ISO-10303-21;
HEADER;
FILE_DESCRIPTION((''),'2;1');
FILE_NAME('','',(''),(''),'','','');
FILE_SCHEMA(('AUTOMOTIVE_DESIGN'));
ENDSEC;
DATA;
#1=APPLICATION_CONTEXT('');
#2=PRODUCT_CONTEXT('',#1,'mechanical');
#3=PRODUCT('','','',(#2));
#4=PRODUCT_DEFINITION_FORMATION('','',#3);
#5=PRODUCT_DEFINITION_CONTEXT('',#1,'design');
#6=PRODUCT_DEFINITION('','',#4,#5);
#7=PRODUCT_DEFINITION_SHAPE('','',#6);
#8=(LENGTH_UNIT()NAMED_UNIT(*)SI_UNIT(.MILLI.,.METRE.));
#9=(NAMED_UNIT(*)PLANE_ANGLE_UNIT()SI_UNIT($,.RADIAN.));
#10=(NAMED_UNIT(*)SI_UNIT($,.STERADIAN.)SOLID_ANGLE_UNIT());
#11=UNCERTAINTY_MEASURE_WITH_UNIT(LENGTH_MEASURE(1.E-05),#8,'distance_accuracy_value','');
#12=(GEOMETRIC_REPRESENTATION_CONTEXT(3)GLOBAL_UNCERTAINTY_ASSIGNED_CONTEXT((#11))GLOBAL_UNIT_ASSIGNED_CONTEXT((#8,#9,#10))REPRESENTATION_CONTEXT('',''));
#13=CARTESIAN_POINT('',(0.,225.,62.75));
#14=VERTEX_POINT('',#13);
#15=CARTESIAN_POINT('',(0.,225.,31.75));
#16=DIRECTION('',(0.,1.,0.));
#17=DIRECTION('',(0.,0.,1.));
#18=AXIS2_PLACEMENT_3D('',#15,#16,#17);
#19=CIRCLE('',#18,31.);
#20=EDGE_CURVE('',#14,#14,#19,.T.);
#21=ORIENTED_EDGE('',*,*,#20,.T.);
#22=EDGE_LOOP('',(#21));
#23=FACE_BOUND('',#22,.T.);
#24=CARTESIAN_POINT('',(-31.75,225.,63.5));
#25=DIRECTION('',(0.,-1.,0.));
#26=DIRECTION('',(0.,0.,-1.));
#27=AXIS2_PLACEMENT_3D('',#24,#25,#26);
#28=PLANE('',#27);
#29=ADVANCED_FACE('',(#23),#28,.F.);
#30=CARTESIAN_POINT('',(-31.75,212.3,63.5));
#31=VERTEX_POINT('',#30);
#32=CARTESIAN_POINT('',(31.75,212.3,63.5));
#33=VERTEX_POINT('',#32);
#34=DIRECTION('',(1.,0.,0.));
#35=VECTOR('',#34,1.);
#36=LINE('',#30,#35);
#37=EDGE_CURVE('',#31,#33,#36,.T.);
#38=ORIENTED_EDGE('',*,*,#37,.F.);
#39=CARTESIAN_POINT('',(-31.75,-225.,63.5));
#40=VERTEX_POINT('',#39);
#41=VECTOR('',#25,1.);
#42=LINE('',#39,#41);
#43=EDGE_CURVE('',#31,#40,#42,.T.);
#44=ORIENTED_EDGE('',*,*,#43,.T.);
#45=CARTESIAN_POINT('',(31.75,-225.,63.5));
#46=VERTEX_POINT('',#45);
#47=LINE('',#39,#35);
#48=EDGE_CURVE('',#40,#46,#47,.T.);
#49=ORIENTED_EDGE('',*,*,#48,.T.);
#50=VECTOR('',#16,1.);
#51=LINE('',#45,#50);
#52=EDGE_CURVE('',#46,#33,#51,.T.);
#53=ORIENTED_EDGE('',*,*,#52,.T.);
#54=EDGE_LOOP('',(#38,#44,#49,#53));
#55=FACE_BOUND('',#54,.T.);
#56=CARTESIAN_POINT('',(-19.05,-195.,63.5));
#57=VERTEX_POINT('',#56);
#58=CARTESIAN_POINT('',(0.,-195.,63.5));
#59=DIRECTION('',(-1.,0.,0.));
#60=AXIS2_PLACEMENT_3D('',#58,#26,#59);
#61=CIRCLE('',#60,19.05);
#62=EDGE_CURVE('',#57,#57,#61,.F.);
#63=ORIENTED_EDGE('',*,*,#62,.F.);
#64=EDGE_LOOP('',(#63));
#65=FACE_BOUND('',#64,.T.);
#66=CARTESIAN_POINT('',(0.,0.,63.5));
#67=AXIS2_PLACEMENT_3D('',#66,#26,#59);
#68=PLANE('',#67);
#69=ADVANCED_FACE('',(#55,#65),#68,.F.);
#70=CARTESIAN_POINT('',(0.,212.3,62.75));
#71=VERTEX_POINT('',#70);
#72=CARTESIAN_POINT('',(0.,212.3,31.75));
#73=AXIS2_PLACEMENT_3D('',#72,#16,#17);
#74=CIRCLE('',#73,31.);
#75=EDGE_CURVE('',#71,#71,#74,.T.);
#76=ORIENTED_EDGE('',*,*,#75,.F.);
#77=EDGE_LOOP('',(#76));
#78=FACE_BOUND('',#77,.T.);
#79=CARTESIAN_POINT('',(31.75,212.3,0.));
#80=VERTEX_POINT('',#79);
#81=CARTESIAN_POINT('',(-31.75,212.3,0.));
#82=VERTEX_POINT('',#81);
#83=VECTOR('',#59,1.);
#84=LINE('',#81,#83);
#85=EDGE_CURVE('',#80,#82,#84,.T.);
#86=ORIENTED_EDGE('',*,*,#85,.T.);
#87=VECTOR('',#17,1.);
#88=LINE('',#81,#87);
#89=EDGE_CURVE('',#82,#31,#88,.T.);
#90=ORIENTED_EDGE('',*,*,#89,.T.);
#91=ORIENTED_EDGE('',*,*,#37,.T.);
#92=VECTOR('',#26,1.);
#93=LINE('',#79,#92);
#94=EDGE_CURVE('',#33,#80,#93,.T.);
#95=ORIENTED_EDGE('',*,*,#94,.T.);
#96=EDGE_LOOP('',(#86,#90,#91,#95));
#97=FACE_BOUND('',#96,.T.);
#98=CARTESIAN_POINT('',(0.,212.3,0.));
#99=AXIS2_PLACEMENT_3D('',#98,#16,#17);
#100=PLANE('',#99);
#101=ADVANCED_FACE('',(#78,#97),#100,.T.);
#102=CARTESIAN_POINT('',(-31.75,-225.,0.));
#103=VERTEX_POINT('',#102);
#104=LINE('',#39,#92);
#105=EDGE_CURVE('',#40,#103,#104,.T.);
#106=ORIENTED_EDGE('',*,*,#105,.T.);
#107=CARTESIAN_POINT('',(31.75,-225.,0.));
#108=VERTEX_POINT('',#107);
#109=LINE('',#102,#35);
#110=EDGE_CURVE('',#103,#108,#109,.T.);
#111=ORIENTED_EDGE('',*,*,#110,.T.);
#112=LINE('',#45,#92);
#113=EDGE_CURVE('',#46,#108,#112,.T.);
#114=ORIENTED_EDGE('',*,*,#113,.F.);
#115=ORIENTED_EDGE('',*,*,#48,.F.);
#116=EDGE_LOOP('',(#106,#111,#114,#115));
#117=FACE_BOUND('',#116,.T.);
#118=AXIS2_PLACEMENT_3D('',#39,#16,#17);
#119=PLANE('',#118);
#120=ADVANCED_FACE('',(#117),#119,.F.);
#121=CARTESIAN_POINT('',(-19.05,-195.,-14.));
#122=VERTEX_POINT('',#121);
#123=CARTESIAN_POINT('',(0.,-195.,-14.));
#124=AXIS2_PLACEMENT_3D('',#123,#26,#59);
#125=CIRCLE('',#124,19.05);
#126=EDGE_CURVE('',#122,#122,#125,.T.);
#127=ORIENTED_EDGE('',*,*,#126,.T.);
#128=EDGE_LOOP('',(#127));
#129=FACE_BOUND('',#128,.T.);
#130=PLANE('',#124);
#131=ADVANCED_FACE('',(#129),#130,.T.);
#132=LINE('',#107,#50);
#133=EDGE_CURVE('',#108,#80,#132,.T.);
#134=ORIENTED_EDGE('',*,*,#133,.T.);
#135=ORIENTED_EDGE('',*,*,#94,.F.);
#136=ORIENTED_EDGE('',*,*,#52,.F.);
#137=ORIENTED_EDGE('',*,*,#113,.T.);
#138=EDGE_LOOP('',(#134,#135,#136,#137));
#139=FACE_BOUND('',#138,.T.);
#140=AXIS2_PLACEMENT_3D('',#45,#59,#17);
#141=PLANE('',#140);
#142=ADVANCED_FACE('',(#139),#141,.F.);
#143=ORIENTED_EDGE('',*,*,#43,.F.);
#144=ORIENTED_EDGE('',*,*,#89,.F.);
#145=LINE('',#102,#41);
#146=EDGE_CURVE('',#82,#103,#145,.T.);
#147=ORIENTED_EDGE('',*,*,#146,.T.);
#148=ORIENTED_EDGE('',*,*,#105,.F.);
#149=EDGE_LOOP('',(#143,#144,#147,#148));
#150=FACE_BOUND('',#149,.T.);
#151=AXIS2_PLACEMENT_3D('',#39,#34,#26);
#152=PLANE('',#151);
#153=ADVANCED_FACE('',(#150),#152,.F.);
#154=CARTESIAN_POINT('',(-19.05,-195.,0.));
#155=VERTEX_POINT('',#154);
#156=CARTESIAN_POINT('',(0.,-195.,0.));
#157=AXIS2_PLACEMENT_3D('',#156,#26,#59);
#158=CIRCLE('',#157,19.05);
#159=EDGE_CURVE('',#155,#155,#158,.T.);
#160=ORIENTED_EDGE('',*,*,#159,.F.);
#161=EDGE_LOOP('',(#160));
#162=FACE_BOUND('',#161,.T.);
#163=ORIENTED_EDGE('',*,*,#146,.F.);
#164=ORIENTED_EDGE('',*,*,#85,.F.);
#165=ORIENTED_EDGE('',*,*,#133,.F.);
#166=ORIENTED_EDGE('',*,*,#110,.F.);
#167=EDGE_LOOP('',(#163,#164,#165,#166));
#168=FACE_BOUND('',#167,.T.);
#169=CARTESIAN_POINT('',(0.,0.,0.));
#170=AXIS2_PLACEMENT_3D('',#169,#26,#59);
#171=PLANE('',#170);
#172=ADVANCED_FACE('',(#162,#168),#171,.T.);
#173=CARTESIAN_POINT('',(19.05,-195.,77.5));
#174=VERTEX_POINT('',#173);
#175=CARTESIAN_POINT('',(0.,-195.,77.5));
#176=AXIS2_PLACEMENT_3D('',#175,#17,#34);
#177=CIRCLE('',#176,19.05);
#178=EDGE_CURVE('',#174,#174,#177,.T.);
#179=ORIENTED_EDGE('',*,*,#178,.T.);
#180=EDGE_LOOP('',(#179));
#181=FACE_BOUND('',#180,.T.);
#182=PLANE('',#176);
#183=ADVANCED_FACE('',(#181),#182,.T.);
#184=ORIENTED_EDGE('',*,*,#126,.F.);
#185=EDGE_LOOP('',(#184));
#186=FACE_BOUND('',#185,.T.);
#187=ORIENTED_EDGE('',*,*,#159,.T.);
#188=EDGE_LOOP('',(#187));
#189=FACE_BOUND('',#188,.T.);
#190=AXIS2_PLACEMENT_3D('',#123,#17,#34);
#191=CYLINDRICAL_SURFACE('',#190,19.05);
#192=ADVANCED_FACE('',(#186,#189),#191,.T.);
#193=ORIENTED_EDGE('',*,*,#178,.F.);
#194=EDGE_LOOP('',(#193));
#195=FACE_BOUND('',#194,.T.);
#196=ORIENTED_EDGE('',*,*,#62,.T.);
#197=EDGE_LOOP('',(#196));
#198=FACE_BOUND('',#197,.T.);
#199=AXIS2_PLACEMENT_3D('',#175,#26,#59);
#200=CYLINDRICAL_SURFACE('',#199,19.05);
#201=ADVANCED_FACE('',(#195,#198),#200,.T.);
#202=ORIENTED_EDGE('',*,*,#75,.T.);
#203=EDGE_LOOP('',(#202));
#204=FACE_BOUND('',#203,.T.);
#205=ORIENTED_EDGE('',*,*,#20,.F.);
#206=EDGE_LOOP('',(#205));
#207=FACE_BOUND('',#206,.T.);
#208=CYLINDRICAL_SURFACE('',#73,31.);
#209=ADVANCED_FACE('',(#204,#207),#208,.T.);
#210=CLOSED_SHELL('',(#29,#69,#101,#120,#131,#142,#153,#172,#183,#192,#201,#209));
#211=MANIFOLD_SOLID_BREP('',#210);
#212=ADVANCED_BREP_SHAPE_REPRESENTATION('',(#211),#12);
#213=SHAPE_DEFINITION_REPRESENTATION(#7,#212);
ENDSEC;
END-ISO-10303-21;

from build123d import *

# Parameters (mm, degrees)
CROQUIS2_W              = 63.5
CROQUIS2_H              = 450
SALIENTE_EXTRUIR1_DEPTH = 63.5
CROQUIS3_R              = 19.05
SALIENTE_EXTRUIR2_DEPTH = 14
SALIENTE_EXTRUIR3_START = 14
CROQUIS4_R              = 19.05
SALIENTE_EXTRUIR3_DEPTH = 14
CROQUIS5_W              = 63.5
CROQUIS5_H              = 63.5
CROQUIS5_R              = 31
CORTAR_EXTRUIR1_DEPTH   = 12.7


with BuildPart() as part:
    # Croquis2 → Saliente-Extruir1 (new body)
    with BuildSketch(Plane.XY):
        Rectangle(CROQUIS2_W, CROQUIS2_H)
    extrude(amount=SALIENTE_EXTRUIR1_DEPTH)

    # Croquis3 → Saliente-Extruir2 (add)
    with BuildSketch(Plane.XY.offset(63.5)):
        with Locations(Location((0, -195, 0), (0, 0, 180))):
            Circle(CROQUIS3_R)
    extrude(amount=SALIENTE_EXTRUIR2_DEPTH)

    # Croquis4 → Saliente-Extruir3 (add)
    with BuildSketch(Plane(origin=(0, 0, 0), x_dir=(-1, 0, 0), z_dir=(0, 0, -1)).offset(SALIENTE_EXTRUIR3_START)):
        with Locations((0, -195)):
            Circle(CROQUIS4_R)
    extrude(amount=-SALIENTE_EXTRUIR3_DEPTH)

    # Croquis5 → Cortar-Extruir1 (cut)
    with BuildSketch(Plane(origin=(0, 225, 0), x_dir=(1, 0, 0), z_dir=(0, 1, 0))):
        with Locations((0, -31.75)):
            Rectangle(CROQUIS5_W, CROQUIS5_H)
        with Locations(Location((0, -31.75, 0), (0, 0, 270))):
            Circle(CROQUIS5_R, mode=Mode.SUBTRACT)
    extrude(amount=-CORTAR_EXTRUIR1_DEPTH, mode=Mode.SUBTRACT)


solid = part.part
